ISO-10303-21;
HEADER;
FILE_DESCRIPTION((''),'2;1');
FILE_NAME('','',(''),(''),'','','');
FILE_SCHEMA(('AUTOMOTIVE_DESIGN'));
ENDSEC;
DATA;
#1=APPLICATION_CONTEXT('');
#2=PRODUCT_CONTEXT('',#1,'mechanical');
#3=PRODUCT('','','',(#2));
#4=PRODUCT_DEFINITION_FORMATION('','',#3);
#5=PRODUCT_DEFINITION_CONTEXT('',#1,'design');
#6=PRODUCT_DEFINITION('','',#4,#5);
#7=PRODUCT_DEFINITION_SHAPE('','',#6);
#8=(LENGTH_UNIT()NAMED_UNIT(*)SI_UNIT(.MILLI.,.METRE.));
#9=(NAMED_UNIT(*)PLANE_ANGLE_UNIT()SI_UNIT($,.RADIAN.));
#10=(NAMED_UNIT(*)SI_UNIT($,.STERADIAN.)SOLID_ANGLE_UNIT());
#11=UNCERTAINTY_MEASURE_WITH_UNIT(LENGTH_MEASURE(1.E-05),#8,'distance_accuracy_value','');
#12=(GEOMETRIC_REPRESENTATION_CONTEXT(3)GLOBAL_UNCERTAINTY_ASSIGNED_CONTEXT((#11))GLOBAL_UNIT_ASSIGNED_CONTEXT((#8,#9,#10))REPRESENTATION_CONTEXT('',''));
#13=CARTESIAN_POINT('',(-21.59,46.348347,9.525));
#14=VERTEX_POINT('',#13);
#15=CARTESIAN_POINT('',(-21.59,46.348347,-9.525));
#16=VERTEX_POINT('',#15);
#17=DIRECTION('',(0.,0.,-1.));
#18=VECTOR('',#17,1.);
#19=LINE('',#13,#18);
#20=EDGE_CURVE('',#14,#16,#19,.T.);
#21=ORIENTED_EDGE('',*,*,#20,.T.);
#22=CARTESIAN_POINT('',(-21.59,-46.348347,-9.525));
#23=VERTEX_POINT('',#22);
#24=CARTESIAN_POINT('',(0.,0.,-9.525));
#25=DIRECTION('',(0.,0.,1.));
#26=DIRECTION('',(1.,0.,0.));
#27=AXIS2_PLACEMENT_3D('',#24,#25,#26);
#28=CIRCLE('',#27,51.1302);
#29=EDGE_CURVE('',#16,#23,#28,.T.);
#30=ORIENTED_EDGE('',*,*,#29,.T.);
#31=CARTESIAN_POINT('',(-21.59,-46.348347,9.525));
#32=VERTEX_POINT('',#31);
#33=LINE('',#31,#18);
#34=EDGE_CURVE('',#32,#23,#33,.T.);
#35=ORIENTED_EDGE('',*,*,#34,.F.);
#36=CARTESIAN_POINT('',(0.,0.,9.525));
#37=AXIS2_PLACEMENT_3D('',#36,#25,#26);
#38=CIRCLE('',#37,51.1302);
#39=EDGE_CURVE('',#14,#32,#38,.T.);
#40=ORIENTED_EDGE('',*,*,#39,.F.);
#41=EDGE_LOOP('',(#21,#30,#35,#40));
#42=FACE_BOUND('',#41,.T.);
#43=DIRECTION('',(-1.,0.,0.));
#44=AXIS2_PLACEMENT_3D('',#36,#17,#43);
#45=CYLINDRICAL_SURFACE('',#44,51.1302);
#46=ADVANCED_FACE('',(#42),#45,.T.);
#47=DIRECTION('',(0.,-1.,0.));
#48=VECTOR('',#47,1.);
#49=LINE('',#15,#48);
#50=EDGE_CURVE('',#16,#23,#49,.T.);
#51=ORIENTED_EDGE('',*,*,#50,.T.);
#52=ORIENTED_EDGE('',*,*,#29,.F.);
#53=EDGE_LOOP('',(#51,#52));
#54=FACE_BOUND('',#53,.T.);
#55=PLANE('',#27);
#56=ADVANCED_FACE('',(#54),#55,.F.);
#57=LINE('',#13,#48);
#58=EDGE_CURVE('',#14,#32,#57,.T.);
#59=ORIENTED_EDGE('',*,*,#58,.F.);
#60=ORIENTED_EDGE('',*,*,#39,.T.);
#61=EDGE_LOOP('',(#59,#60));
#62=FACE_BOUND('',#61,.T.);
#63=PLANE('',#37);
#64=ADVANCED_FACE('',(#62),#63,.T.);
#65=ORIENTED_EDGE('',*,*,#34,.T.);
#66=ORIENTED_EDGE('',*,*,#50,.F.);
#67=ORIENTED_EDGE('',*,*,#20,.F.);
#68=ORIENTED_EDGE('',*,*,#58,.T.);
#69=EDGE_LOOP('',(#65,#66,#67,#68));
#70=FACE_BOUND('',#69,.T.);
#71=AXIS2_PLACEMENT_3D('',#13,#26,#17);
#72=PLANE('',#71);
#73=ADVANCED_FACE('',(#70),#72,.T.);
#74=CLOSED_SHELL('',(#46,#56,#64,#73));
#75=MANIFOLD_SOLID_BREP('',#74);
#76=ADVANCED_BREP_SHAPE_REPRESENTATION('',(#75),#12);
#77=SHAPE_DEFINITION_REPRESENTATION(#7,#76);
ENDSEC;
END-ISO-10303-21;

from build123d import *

# Parameters (mm, degrees)
BOSS_EXTRUDE1_DEPTH = 9.525


with BuildPart() as part:
    # Sketch1 → Boss-Extrude1 (new, symmetric)
    with BuildSketch(Plane.XY):
        with BuildLine():
            Line((-21.59, 46.34834681), (-21.59, -46.34834681))
            ThreePointArc((-21.59, -46.34834681), (-51.1302, 0), (-21.59, 46.34834681))
        make_face()
    extrude(amount=BOSS_EXTRUDE1_DEPTH, both=True)


solid = part.part
